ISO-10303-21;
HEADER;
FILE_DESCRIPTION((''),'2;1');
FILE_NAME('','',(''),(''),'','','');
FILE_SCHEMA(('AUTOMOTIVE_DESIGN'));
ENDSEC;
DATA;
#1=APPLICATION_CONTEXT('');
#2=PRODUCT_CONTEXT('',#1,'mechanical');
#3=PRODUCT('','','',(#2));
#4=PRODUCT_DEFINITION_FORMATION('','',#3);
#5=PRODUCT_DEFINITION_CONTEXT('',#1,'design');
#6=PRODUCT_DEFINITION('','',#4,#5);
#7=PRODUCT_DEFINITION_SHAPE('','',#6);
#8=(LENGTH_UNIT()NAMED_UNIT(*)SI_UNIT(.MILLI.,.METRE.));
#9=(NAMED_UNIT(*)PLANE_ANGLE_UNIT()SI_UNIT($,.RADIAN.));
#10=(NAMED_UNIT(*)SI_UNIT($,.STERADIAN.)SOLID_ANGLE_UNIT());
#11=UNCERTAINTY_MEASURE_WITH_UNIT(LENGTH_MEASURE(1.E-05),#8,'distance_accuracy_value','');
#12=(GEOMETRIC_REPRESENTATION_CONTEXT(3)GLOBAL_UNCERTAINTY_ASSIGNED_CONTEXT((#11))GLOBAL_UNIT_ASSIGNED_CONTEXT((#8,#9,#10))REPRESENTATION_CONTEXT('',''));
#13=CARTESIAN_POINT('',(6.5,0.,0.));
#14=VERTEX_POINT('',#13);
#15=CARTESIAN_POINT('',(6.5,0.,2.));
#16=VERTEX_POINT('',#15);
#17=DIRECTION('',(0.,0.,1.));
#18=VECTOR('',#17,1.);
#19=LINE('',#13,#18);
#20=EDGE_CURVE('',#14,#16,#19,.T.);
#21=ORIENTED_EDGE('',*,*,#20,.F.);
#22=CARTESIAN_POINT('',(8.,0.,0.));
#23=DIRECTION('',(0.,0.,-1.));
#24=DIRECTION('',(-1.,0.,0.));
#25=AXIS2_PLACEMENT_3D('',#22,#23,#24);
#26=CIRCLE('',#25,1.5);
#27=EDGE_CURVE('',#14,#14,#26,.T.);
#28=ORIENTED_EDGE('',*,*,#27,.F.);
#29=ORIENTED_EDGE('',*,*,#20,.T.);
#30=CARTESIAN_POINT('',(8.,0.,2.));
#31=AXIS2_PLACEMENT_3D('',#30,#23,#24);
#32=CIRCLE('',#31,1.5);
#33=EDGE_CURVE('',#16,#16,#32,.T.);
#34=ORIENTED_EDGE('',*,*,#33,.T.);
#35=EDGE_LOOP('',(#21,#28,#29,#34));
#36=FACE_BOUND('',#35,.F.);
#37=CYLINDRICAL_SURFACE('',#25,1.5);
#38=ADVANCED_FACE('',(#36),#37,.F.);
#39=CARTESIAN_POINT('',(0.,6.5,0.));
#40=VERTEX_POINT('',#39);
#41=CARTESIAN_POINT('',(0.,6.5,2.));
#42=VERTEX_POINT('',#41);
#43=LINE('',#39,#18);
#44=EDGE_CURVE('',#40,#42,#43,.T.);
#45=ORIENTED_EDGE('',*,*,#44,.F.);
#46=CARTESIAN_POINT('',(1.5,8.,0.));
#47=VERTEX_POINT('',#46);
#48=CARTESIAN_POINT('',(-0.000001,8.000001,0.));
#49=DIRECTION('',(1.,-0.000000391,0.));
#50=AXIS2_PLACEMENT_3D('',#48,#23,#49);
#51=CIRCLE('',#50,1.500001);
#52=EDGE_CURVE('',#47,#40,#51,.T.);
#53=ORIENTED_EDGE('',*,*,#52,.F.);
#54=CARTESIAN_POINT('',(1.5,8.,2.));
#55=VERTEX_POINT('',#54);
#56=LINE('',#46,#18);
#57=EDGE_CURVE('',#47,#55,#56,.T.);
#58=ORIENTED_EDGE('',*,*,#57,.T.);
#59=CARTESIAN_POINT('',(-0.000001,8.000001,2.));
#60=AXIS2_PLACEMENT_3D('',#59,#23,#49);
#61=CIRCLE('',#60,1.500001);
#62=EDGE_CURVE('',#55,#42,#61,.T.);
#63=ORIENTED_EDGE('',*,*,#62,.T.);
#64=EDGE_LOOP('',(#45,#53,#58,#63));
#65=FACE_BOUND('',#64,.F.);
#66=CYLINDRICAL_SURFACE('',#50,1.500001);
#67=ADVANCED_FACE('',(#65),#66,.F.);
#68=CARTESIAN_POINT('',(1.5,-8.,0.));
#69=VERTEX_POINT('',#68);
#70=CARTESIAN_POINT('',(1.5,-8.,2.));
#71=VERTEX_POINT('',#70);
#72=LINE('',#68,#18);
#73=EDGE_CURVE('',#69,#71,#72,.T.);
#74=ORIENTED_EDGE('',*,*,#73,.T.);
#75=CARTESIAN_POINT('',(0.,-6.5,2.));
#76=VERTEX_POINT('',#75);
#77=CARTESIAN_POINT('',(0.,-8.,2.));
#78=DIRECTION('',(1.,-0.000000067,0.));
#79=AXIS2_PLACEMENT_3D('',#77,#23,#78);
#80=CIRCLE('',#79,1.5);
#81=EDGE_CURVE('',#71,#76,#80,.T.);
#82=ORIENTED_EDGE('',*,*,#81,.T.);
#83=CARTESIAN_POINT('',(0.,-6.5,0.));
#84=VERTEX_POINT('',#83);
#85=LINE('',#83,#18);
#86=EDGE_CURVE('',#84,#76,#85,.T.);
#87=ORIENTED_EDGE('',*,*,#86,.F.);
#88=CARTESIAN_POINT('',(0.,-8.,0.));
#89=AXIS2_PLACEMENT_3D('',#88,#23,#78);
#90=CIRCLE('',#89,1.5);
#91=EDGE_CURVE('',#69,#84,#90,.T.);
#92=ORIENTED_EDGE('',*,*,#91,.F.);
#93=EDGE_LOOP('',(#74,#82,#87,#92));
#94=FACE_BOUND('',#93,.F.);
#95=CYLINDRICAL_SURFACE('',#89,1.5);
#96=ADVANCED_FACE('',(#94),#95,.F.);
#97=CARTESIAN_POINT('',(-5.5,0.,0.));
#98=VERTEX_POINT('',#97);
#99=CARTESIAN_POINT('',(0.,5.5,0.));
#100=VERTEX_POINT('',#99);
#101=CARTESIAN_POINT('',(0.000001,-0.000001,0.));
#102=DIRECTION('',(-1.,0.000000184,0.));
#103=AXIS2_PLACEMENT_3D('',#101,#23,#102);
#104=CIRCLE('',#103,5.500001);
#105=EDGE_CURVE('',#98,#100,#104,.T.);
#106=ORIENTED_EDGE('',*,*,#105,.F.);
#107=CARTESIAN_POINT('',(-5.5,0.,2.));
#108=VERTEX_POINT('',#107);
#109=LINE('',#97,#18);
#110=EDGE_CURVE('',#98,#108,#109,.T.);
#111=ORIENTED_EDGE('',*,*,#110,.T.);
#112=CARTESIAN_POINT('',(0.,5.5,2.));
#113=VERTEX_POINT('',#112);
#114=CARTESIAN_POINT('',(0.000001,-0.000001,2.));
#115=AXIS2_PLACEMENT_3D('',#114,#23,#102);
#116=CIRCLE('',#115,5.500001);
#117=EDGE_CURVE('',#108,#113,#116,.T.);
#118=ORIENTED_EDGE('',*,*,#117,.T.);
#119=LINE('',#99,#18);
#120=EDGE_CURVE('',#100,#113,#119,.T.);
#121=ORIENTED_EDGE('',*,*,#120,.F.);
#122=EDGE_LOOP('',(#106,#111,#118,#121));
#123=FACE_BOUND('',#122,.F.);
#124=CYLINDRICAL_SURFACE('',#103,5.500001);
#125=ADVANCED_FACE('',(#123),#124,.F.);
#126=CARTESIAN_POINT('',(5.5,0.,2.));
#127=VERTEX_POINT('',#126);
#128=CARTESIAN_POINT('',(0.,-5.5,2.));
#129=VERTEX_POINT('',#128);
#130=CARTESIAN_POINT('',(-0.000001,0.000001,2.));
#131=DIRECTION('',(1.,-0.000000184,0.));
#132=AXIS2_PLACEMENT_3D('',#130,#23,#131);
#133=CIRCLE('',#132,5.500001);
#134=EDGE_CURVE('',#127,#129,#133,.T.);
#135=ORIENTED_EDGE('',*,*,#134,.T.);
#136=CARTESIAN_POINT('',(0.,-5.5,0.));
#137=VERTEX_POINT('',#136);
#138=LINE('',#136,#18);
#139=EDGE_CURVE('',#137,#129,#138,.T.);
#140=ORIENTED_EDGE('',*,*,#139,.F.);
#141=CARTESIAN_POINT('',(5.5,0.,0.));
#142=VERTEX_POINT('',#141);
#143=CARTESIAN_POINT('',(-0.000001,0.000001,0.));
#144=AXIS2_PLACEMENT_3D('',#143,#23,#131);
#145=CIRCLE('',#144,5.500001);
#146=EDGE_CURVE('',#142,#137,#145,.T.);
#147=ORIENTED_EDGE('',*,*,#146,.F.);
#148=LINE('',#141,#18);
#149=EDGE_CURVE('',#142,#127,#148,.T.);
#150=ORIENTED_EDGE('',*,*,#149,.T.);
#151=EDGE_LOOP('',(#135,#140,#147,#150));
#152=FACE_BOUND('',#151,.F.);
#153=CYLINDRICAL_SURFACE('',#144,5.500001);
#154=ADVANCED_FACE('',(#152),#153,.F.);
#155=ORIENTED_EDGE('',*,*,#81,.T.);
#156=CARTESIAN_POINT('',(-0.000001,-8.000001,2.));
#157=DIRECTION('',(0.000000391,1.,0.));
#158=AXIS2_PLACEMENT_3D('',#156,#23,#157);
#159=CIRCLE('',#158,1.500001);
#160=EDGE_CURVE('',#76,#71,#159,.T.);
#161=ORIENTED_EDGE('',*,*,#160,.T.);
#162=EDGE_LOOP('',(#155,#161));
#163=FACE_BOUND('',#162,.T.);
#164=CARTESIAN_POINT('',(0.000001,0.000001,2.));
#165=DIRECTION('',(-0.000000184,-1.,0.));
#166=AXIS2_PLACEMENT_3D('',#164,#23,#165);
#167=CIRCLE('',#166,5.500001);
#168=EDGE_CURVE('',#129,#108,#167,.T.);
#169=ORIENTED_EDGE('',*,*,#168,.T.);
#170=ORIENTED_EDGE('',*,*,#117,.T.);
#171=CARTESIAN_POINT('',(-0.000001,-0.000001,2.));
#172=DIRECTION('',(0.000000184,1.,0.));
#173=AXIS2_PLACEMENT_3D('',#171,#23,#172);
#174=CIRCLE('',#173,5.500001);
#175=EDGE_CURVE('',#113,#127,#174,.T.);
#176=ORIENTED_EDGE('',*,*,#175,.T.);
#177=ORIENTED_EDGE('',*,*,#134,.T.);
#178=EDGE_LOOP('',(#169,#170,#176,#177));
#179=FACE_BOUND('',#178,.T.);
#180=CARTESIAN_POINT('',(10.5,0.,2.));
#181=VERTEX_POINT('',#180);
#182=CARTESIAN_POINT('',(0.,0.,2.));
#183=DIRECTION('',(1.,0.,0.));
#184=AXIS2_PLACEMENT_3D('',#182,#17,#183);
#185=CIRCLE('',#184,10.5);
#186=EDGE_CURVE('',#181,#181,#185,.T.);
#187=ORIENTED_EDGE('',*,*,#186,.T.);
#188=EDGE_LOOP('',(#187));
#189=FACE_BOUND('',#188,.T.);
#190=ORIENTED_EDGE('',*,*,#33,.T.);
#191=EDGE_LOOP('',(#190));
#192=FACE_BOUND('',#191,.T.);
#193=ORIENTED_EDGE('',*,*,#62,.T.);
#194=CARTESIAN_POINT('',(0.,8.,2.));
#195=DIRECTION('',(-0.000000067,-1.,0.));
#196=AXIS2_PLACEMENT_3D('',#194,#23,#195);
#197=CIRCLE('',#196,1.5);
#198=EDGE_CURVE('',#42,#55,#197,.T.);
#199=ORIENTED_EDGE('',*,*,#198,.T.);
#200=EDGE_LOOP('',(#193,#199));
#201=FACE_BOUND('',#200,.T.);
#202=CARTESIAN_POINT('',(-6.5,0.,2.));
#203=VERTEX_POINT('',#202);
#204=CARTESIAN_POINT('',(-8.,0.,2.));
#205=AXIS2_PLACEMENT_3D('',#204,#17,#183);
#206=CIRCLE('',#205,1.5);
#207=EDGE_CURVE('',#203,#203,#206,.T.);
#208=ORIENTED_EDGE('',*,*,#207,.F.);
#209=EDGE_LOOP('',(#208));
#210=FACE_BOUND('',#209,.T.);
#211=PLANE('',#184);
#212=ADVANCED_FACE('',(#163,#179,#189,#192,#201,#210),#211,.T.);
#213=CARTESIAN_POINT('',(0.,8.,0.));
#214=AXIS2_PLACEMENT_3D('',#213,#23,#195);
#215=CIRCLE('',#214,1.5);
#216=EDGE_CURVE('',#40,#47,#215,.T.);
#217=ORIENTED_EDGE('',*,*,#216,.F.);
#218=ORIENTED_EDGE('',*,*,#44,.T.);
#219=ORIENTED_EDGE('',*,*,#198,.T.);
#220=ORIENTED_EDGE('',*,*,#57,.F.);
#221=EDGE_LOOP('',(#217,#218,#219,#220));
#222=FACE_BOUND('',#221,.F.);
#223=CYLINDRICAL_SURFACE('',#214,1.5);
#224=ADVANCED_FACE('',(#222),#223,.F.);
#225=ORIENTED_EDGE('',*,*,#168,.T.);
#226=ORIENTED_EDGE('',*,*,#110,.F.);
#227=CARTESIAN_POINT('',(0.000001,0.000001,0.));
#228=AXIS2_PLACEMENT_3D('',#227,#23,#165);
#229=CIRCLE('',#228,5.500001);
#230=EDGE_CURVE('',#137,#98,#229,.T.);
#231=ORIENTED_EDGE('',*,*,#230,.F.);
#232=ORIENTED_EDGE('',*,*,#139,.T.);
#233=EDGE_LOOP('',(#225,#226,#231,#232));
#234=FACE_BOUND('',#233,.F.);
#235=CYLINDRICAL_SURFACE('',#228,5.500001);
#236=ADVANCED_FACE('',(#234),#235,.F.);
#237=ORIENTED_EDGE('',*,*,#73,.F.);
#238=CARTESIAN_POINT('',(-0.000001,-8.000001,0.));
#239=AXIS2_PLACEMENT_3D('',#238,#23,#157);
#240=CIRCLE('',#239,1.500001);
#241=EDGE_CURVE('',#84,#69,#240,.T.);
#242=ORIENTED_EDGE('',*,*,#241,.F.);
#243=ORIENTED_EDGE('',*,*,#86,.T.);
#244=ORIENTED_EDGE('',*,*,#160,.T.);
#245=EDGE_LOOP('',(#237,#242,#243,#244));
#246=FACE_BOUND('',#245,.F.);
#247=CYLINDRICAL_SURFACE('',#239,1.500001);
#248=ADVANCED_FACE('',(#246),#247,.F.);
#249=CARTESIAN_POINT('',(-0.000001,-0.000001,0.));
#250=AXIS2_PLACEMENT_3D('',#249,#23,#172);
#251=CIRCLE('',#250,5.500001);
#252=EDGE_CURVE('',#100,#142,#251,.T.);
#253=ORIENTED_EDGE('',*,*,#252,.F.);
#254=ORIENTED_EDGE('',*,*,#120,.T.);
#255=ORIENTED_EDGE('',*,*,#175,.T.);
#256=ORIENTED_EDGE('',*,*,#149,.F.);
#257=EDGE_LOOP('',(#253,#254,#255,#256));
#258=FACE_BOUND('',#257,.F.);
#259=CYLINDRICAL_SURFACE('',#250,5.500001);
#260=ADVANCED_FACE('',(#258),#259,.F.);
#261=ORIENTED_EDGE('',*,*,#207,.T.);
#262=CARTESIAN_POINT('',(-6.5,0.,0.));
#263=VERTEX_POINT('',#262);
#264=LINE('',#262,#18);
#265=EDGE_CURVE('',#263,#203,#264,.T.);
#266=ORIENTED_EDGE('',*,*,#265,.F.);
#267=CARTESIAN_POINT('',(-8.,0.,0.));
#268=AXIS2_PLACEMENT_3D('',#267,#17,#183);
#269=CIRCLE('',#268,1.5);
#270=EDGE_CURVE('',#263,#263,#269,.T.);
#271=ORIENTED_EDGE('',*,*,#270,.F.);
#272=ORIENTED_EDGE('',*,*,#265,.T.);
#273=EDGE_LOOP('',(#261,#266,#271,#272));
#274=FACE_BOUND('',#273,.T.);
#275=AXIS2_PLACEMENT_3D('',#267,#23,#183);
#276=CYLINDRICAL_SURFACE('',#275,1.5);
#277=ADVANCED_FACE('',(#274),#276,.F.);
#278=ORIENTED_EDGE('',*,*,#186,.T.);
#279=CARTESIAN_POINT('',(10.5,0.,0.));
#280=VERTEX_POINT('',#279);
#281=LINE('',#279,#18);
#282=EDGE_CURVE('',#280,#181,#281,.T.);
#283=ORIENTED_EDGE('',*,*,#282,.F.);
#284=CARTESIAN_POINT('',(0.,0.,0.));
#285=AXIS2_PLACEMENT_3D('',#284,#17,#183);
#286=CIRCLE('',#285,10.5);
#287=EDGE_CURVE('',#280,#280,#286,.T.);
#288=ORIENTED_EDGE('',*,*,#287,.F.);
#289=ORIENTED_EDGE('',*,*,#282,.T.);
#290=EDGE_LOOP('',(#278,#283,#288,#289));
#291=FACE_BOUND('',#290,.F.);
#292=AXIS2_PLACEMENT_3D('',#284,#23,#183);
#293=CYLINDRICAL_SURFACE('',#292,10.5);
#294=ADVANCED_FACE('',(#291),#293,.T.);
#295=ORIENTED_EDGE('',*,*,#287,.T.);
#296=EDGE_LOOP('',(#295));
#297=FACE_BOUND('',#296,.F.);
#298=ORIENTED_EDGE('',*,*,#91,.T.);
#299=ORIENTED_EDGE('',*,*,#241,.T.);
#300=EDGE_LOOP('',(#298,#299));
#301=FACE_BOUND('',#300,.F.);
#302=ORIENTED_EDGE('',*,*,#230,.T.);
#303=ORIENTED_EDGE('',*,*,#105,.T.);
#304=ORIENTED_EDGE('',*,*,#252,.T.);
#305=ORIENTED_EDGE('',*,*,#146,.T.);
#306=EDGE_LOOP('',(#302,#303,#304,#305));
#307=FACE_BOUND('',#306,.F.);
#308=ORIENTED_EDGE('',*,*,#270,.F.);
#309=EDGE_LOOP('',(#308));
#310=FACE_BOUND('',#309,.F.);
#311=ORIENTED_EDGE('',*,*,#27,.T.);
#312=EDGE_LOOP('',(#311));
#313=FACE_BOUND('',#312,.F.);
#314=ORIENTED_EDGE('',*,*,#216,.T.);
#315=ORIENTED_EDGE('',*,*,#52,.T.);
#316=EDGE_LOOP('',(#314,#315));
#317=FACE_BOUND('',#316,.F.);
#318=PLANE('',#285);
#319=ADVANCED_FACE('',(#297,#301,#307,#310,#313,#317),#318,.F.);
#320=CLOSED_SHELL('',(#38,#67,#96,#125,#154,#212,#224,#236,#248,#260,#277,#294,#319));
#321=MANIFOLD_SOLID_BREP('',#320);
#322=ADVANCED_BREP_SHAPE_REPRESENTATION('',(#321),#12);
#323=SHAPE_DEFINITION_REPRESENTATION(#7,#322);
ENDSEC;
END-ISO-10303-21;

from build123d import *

# Parameters (mm, degrees)
F0_R     = 10.5
F0_R_2   = 1.5
F1_DEPTH = 2


with BuildPart() as f1:
    # F0 (on Top) → F1 (new body)
    with BuildSketch(Plane.XY):
        Circle(F0_R)
        with BuildLine():
            ThreePointArc((1.5, -8), (-1.06066, -9.06066), (0, -6.5))
            ThreePointArc((0, -6.5), (1.06066, -6.93934), (1.5, -8))
        make_face(mode=Mode.SUBTRACT)
        with Locations((-8, 0)):
            Circle(F0_R_2, mode=Mode.SUBTRACT)
        with BuildLine():
            ThreePointArc((0, 5.5), (3.889087, 3.889087), (5.5, 0))
            ThreePointArc((5.5, 0), (3.889087, -3.889087), (0, -5.5))
            ThreePointArc((0, -5.5), (-3.889087, -3.889087), (-5.5, 0))
            ThreePointArc((-5.5, 0), (-3.889087, 3.889087), (0, 5.5))
        make_face(mode=Mode.SUBTRACT)
        with BuildLine():
            ThreePointArc((9.5, 0), (8, -1.5), (6.5, 0))
            ThreePointArc((6.5, 0), (8, 1.5), (9.5, 0))
        make_face(mode=Mode.SUBTRACT)
        with BuildLine():
            ThreePointArc((1.5, 8), (1.06066, 6.93934), (0, 6.5))
            ThreePointArc((0, 6.5), (-1.06066, 9.06066), (1.5, 8))
        make_face(mode=Mode.SUBTRACT)
    extrude(amount=F1_DEPTH)


solid = f1.part
